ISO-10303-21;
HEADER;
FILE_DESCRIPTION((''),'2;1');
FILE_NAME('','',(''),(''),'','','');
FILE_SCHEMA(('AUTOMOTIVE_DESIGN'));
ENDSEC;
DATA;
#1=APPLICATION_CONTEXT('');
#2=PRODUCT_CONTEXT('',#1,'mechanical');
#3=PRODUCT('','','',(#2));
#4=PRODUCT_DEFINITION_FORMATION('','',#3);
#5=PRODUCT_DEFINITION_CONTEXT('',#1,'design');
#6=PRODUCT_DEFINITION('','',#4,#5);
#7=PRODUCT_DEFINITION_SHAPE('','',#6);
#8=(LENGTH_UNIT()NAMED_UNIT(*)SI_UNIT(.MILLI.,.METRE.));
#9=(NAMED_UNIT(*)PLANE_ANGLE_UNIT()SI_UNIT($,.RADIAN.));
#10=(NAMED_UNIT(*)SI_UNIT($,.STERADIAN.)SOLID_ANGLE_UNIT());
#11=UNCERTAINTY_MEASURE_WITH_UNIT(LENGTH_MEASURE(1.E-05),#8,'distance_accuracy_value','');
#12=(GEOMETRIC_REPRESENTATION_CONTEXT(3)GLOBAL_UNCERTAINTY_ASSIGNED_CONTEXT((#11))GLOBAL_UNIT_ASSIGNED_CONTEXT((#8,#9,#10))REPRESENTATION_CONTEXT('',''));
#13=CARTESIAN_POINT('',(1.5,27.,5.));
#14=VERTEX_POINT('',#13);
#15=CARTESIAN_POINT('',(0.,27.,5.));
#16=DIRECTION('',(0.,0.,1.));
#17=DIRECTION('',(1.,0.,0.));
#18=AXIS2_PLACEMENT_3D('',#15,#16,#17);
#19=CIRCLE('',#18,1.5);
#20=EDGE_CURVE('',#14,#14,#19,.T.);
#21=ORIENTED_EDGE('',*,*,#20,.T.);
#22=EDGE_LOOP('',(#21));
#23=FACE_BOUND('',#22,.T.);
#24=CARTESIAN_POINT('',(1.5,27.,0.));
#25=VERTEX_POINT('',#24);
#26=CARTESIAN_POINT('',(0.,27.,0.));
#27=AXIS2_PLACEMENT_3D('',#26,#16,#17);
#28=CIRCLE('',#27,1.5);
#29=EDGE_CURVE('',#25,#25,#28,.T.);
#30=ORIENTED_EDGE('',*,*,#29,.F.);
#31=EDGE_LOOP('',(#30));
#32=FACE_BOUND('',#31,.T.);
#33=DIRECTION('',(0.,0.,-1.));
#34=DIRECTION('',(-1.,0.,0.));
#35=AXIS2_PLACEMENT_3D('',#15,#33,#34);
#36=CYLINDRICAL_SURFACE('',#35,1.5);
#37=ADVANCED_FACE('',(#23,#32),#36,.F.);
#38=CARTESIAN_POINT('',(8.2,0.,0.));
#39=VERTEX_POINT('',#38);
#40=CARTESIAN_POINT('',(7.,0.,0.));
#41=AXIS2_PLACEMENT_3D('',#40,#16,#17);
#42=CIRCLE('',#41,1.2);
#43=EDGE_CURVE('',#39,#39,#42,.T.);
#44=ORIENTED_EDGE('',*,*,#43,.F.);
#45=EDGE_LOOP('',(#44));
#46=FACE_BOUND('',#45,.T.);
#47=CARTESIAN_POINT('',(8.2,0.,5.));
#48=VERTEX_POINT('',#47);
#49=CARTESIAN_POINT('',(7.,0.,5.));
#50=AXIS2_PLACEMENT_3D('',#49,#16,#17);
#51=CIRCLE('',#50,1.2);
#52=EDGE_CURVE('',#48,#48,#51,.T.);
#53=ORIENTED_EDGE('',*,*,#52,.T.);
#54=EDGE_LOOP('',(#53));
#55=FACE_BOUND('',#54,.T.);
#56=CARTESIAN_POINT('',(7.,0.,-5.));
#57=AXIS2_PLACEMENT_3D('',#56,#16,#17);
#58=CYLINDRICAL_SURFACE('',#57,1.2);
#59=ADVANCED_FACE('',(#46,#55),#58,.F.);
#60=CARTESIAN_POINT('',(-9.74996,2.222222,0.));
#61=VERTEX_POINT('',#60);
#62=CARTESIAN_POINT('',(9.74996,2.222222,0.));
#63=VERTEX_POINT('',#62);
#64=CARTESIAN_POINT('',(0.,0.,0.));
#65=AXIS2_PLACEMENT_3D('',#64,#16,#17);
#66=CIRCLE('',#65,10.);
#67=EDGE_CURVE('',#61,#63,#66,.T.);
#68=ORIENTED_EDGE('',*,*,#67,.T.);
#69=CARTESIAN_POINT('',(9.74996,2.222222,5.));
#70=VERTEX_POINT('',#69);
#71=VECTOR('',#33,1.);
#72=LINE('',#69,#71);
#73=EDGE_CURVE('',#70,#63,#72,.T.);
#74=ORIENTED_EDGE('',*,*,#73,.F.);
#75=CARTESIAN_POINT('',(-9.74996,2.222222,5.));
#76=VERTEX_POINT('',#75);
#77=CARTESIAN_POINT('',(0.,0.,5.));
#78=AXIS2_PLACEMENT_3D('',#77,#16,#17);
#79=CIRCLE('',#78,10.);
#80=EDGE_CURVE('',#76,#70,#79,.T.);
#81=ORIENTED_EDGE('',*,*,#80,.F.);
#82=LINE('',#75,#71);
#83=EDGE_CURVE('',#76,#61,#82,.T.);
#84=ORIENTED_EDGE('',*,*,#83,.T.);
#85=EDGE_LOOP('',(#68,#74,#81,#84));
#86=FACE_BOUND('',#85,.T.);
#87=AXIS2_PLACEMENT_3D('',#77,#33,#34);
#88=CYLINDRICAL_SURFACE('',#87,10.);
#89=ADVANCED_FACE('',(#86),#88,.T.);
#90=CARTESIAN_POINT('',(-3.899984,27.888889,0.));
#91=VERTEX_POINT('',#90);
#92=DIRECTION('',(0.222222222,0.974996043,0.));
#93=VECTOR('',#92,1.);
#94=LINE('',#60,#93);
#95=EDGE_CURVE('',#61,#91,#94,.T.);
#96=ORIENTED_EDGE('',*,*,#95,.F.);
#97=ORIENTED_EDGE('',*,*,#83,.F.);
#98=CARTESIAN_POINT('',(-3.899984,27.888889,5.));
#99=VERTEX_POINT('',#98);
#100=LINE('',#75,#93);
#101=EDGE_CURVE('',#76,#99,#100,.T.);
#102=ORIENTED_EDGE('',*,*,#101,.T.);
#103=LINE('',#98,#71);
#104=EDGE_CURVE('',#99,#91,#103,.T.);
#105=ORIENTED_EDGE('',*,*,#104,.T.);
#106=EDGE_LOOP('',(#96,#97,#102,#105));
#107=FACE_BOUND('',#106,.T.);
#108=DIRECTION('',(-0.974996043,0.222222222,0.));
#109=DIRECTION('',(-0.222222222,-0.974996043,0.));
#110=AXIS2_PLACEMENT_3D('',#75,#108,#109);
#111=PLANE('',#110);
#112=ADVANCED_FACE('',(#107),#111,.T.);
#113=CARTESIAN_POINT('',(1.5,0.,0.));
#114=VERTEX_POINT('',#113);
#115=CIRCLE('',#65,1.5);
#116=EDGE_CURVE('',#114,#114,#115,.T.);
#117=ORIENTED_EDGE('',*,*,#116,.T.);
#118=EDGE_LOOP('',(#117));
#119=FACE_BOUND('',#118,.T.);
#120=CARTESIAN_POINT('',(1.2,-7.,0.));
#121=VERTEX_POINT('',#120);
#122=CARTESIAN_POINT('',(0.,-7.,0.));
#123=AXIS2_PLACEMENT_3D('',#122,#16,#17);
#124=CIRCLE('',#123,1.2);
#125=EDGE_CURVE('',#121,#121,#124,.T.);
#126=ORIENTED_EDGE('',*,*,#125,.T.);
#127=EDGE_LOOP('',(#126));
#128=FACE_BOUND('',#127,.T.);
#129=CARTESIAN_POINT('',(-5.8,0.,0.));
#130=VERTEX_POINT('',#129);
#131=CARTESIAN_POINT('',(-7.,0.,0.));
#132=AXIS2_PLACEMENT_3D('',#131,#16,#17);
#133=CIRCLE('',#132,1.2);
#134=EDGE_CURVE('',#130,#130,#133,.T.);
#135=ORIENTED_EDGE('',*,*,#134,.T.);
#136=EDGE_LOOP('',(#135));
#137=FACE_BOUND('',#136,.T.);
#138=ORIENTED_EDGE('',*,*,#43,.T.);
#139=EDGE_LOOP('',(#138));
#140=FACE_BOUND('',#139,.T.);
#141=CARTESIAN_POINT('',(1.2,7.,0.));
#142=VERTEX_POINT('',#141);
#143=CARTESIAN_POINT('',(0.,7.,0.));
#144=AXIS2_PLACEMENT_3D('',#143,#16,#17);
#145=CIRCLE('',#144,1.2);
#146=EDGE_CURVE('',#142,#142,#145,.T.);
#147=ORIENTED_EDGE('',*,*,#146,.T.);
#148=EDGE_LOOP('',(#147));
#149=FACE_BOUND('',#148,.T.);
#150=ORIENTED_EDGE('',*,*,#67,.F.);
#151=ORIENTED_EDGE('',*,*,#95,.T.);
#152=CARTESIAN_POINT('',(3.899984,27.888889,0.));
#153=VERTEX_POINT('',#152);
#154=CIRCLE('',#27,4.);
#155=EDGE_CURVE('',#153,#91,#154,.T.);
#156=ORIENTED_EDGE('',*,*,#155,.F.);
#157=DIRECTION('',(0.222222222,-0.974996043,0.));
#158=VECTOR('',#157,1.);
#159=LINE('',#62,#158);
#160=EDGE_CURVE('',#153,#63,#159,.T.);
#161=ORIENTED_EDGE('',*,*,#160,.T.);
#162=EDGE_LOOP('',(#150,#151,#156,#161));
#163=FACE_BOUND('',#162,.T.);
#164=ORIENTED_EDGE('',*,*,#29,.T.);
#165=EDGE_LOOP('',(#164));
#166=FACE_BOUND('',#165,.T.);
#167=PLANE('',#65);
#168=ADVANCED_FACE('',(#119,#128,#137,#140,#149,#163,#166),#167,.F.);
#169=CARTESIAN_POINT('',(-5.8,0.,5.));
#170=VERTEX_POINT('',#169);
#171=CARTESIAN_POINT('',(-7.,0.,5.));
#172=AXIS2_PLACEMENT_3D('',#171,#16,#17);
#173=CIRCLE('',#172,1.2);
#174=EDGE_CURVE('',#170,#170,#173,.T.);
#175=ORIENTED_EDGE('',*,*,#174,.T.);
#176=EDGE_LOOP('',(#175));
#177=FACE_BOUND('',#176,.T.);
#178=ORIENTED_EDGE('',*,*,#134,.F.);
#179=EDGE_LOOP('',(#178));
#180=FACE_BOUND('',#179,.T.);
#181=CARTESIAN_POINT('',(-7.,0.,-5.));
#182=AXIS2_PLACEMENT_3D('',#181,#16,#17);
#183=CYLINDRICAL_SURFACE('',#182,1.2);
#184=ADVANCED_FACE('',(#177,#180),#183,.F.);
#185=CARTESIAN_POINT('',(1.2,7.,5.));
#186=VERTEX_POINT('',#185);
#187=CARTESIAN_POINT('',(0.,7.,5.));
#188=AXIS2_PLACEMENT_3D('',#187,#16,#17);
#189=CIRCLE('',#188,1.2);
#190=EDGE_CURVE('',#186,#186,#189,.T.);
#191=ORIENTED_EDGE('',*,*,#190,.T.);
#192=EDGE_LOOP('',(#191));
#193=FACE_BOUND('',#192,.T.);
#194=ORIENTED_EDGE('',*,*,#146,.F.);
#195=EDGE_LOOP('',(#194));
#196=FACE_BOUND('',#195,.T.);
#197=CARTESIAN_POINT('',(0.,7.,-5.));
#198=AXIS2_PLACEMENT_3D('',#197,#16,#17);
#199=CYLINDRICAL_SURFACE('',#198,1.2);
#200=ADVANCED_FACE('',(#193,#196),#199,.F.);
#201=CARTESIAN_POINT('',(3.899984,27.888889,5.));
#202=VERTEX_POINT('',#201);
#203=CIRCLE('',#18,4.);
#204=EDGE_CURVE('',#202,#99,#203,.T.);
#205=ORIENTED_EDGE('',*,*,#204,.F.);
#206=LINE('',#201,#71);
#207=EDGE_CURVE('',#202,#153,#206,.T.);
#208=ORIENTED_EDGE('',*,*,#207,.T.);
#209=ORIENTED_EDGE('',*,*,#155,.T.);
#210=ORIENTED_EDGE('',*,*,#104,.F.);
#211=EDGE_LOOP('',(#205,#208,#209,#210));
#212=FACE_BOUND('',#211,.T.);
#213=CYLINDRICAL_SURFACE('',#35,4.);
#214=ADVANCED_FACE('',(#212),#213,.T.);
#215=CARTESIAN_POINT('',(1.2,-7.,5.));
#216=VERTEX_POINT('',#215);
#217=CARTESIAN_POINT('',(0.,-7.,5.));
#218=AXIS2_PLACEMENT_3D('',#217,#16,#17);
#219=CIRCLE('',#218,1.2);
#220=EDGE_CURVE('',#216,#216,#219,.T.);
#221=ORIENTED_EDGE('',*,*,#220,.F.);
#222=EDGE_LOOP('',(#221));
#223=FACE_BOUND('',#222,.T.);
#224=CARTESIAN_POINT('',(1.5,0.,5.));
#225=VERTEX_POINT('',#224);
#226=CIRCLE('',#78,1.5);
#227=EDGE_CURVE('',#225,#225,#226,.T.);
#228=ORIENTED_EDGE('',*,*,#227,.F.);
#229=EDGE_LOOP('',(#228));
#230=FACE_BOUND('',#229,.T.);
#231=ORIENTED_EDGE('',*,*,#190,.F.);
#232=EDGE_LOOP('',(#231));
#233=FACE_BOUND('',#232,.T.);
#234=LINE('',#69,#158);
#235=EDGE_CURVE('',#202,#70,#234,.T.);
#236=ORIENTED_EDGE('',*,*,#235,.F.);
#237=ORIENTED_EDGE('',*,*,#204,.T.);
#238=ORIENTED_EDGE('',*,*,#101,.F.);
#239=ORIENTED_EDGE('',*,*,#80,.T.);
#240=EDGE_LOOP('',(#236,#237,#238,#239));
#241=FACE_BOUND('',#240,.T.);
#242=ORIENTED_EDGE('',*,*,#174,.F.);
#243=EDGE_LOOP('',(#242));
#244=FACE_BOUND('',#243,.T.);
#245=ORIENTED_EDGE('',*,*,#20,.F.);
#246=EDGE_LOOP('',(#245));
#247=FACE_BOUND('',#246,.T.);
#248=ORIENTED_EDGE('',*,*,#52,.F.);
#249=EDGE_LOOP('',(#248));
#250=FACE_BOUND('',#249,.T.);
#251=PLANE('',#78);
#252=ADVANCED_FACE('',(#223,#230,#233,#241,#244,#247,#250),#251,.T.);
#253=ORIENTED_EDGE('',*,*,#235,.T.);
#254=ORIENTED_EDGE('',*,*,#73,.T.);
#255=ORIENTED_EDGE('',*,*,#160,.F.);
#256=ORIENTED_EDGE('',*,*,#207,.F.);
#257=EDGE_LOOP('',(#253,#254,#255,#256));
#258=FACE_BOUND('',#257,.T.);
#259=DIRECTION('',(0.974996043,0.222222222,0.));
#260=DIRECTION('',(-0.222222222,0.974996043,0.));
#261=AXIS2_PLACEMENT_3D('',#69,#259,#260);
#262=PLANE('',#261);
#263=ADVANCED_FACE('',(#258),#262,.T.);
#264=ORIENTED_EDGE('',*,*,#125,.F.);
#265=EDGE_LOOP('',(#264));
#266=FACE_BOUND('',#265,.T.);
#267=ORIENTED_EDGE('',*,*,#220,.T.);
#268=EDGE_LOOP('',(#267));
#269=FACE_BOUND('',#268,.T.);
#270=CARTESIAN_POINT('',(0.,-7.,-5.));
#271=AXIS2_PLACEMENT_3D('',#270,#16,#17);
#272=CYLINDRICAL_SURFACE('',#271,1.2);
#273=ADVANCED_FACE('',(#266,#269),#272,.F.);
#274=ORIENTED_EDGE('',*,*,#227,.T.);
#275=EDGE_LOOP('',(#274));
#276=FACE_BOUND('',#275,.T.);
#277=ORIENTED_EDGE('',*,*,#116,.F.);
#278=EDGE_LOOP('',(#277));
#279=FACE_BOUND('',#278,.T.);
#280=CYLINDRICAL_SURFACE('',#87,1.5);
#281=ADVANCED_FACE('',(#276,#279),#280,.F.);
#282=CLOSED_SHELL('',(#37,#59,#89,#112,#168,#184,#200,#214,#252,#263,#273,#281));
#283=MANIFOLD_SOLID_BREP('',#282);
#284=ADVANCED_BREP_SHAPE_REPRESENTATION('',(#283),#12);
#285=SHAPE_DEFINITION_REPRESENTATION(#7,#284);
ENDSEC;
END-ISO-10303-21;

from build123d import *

# Parameters (mm, degrees)
IZIM1_R                     = 10
IZIM1_R_2                   = 1.5
IZIM1_R_3                   = 4
Y_KSEKLIK_EKSTR_ZYON1_DEPTH = 5
IZIM2_R                     = 1.2
KES_EKSTR_ZYON1_DEPTH       = 10


with BuildPart() as part:
    # Çizim1 → Yükseklik-Ekstrüzyon1 (new body)
    # profile 1 of 3: a face of its own
    with BuildSketch(Plane.XY):
        Circle(IZIM1_R)
        Circle(IZIM1_R_2, mode=Mode.SUBTRACT)
    # profile 2 of 3: a face of its own
    with BuildSketch(Plane.XY):
        with BuildLine():
            Line((-3.899984172, 27.888888889), (-9.74996043, 2.222222222))
            ThreePointArc((-9.74996043, 2.222222222), (0, 10), (9.74996043, 2.222222222))
            Line((9.74996043, 2.222222222), (3.899984172, 27.888888889))
            ThreePointArc((3.899984172, 27.888888889), (3.974917401, 27.447248986), (4, 27))
            ThreePointArc((4, 27), (-0.447248986, 23.025082599), (-3.899984172, 27.888888889))
        make_face()
    # profile 3 of 3: a face of its own
    with BuildSketch(Plane.XY):
        with Locations((0, 27)):
            Circle(IZIM1_R_3)
        with Locations((0, 27)):
            Circle(IZIM1_R_2, mode=Mode.SUBTRACT)
    extrude(amount=Y_KSEKLIK_EKSTR_ZYON1_DEPTH)

    # Çizim2 → Kes-Ekstrüzyon1 (cut)
    with BuildSketch(Plane.XY.offset(5)):
        with Locations((0, 7)):
            Circle(IZIM2_R)
        with Locations((-7, 0)):
            Circle(IZIM2_R)
        with Locations((0, -7)):
            Circle(IZIM2_R)
        with Locations((7, 0)):
            Circle(IZIM2_R)
    extrude(amount=-KES_EKSTR_ZYON1_DEPTH, mode=Mode.SUBTRACT)


solid = part.part
